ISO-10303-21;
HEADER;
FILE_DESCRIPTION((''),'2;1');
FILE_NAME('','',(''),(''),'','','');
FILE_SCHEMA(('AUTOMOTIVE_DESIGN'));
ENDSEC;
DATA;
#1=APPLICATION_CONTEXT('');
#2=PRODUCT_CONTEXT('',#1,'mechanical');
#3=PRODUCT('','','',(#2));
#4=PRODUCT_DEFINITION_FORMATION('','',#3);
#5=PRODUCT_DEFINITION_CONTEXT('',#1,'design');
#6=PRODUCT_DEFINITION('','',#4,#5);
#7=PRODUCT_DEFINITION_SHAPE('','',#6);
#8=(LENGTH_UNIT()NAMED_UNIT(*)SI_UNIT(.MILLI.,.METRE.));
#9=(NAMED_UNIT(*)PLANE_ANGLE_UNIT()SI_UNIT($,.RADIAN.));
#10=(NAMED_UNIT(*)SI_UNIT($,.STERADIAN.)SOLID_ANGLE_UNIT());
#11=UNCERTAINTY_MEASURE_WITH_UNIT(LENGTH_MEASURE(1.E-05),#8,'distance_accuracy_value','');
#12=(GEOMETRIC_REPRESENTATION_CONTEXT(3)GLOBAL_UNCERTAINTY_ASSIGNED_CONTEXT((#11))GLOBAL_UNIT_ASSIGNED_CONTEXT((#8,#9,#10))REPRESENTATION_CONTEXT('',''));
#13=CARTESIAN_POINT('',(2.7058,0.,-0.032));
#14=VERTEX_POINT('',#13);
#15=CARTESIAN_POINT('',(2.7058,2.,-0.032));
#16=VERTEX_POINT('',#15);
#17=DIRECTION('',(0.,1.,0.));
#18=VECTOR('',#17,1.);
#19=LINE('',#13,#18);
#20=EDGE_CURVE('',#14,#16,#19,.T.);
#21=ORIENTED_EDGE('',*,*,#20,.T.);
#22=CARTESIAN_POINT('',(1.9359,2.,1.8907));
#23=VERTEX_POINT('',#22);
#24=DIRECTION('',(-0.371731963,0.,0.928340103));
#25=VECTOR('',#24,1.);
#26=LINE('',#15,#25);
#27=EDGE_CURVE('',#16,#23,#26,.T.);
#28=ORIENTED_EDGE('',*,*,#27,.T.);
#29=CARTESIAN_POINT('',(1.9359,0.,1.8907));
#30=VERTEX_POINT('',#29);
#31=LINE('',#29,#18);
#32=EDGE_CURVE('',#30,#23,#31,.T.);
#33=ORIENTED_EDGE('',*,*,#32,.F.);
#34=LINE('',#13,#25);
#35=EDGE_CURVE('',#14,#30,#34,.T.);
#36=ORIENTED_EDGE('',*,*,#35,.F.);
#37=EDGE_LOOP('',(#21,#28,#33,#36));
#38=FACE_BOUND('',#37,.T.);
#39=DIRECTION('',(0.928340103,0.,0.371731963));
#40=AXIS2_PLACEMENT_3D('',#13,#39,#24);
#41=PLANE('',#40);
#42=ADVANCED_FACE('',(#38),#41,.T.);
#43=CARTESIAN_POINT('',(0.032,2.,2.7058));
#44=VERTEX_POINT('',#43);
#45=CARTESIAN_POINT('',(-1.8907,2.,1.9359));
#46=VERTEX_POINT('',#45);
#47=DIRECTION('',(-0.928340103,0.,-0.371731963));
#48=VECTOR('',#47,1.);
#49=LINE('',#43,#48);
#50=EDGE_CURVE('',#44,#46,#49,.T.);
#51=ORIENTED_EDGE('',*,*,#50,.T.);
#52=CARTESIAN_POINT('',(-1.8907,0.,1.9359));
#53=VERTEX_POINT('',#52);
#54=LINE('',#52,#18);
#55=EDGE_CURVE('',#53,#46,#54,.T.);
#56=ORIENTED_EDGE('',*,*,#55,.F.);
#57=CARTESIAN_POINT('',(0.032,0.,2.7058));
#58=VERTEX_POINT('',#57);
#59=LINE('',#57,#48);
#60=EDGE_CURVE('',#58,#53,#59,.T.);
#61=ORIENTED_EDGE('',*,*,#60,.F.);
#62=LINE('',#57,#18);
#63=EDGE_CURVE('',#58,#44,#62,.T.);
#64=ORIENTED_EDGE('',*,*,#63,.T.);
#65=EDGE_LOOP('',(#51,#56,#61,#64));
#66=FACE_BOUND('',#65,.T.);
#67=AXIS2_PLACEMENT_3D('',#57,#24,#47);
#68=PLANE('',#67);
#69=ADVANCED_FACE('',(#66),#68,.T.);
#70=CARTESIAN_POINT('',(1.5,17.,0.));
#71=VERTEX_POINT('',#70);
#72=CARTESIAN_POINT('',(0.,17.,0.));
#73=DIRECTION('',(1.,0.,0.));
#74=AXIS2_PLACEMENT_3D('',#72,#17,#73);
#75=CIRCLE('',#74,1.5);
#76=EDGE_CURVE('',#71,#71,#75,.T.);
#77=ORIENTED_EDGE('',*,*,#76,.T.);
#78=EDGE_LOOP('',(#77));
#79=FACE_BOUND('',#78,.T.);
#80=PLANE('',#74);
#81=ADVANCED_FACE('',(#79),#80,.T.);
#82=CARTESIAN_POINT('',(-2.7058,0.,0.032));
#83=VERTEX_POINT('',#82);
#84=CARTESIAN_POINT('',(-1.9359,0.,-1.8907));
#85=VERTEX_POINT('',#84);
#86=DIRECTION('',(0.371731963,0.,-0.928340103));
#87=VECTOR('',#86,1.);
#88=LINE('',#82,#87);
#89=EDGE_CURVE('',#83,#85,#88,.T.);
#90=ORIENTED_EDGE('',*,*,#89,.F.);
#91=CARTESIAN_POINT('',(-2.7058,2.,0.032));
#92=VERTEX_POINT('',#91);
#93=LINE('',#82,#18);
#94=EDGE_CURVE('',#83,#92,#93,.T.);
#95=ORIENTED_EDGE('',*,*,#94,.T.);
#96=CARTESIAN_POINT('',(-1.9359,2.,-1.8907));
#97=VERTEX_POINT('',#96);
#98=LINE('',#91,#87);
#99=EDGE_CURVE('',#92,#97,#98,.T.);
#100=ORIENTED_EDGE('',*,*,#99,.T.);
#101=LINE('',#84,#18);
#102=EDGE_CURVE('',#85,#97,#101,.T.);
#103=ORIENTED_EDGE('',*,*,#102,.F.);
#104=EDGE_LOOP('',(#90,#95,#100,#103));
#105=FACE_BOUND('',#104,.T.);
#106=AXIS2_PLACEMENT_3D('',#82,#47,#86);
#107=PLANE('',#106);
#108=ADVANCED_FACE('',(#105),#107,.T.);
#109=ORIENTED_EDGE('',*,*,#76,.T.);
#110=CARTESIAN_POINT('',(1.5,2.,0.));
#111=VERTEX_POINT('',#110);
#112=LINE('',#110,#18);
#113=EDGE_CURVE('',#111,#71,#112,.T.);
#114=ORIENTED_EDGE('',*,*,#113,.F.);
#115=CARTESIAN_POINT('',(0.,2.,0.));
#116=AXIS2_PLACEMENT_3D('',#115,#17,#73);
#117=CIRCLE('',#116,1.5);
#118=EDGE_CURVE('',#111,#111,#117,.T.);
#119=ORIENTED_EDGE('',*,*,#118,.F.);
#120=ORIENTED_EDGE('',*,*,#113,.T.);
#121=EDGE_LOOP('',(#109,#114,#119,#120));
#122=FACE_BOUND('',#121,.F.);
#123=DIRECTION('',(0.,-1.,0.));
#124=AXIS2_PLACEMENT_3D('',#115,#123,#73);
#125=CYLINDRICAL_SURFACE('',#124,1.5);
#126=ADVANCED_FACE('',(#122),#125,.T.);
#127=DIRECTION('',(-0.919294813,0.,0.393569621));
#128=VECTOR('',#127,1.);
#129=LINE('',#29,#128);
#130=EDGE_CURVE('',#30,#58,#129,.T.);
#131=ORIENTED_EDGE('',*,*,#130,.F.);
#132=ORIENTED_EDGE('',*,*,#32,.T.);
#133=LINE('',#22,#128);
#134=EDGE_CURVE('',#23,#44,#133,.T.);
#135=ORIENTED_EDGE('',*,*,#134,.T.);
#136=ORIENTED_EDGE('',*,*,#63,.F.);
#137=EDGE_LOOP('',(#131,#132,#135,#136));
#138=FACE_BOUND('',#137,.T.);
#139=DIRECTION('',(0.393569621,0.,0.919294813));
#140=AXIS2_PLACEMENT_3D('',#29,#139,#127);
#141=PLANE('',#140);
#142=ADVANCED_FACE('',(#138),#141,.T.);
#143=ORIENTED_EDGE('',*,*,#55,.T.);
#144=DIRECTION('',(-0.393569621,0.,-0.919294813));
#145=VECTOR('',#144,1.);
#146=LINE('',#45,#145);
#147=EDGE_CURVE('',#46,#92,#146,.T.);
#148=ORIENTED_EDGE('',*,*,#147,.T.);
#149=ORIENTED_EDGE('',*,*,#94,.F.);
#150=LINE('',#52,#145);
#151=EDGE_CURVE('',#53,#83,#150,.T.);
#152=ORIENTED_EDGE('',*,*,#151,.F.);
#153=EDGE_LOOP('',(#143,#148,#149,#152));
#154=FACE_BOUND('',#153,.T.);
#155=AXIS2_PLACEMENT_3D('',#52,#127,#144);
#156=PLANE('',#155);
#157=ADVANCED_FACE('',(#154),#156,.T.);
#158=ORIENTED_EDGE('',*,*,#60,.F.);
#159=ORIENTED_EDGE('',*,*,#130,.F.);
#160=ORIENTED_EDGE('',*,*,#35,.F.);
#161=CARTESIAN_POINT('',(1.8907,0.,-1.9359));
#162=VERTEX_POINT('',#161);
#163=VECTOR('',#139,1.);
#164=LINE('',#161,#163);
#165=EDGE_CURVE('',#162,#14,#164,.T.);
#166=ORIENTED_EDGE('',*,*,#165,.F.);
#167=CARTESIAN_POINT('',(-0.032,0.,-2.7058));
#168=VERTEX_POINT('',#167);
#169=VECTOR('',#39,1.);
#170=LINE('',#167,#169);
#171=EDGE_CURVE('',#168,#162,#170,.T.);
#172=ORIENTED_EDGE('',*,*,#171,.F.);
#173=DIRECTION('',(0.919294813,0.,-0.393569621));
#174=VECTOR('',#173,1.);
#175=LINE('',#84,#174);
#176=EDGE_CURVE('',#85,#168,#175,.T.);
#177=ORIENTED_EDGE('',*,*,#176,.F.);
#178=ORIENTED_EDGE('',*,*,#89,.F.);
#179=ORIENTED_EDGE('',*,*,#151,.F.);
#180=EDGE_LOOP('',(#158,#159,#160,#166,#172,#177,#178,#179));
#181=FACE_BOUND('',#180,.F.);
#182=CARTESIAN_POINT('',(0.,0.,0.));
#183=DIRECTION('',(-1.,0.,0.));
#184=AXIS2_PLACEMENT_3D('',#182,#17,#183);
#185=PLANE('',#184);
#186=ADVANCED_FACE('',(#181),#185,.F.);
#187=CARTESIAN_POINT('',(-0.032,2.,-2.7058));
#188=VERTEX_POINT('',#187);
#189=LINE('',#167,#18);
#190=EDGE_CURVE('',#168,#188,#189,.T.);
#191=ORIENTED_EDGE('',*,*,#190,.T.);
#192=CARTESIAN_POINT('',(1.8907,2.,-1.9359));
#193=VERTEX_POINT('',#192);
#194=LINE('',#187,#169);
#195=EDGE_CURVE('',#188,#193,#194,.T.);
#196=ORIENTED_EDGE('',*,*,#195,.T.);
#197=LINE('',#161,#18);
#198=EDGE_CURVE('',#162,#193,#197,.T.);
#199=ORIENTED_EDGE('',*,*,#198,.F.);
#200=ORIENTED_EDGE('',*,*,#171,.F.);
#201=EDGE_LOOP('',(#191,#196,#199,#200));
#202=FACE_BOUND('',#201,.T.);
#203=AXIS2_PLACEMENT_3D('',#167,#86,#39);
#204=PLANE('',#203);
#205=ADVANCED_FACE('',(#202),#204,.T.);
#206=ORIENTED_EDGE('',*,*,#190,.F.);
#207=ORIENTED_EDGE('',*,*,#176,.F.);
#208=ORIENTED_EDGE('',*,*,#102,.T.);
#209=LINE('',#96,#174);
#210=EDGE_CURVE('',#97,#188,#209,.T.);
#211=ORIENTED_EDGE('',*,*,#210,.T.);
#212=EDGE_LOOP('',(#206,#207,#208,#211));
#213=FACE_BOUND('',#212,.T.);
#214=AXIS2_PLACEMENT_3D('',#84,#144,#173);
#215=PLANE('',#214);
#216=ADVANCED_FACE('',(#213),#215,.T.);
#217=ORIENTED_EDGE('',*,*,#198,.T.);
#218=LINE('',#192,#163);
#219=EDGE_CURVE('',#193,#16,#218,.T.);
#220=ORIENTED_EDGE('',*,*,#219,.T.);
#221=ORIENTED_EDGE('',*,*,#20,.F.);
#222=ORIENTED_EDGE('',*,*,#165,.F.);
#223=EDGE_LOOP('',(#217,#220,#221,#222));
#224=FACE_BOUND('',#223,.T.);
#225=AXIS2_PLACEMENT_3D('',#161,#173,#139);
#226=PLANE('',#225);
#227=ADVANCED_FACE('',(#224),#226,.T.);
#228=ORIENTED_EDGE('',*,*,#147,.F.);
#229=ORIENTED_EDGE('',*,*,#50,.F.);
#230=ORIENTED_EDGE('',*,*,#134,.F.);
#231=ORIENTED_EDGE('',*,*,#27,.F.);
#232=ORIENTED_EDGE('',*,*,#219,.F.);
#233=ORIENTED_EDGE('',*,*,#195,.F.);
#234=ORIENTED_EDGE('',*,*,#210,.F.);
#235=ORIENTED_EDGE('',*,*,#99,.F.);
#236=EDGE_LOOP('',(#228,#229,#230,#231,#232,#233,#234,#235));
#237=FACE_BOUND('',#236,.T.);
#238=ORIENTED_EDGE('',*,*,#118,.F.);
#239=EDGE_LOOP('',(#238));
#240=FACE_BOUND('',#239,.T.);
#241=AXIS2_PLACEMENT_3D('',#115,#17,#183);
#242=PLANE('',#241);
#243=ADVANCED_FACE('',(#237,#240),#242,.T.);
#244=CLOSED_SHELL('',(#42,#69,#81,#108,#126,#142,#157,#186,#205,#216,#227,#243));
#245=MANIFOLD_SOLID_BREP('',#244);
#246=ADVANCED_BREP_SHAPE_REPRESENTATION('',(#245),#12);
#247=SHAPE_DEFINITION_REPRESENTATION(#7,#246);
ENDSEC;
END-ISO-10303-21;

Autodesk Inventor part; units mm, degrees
ref_plane "YZ Plane" through (0, 0, 0) normal (1, 0, 0) x (0, 1, 0)
ref_plane "XZ Plane" through (0, 0, 0) normal (0, 1, 0) x (-1, 0, 0)
ref_plane "XY Plane" through (0, 0, 0) normal (0, 0, 1) x (1, 0, 0)
sketch "Sketch1" plane through (0, 0, 0) normal (0, 1, 0) x (-1, 0, 0)
  line L0 (-1.8907, -1.9359) -> (-2.7058, -0.032)
  line L1 (-2.7058, -0.032) -> (-1.9359, 1.8907)
  line L2 (-1.9359, 1.8907) -> (-0.032, 2.7058)
  line L3 (-0.032, 2.7058) -> (1.8907, 1.9359)
  line L4 (1.8907, 1.9359) -> (2.7058, 0.032)
  line L5 (2.7058, 0.032) -> (1.9359, -1.8907)
  line L6 (1.9359, -1.8907) -> (0.032, -2.7058)
  line L7 (0.032, -2.7058) -> (-1.8907, -1.9359)
  point P0 (0, 0)
  point P1 (0, 0)
  dimension "d0" = 5
extrude "Extrusion1" add sketch "Sketch1" along normal blind 2
sketch "Sketch2" plane through (0, 2, 0) normal (0, 1, 0) x (1, 0, 0)
  circle A0 centre (0, 0) radius 1.5
  dimension "d3" = 3
extrude "Extrusion2" add sketch "Sketch2" along normal blind 15
properties part number "Screw 3mm"
